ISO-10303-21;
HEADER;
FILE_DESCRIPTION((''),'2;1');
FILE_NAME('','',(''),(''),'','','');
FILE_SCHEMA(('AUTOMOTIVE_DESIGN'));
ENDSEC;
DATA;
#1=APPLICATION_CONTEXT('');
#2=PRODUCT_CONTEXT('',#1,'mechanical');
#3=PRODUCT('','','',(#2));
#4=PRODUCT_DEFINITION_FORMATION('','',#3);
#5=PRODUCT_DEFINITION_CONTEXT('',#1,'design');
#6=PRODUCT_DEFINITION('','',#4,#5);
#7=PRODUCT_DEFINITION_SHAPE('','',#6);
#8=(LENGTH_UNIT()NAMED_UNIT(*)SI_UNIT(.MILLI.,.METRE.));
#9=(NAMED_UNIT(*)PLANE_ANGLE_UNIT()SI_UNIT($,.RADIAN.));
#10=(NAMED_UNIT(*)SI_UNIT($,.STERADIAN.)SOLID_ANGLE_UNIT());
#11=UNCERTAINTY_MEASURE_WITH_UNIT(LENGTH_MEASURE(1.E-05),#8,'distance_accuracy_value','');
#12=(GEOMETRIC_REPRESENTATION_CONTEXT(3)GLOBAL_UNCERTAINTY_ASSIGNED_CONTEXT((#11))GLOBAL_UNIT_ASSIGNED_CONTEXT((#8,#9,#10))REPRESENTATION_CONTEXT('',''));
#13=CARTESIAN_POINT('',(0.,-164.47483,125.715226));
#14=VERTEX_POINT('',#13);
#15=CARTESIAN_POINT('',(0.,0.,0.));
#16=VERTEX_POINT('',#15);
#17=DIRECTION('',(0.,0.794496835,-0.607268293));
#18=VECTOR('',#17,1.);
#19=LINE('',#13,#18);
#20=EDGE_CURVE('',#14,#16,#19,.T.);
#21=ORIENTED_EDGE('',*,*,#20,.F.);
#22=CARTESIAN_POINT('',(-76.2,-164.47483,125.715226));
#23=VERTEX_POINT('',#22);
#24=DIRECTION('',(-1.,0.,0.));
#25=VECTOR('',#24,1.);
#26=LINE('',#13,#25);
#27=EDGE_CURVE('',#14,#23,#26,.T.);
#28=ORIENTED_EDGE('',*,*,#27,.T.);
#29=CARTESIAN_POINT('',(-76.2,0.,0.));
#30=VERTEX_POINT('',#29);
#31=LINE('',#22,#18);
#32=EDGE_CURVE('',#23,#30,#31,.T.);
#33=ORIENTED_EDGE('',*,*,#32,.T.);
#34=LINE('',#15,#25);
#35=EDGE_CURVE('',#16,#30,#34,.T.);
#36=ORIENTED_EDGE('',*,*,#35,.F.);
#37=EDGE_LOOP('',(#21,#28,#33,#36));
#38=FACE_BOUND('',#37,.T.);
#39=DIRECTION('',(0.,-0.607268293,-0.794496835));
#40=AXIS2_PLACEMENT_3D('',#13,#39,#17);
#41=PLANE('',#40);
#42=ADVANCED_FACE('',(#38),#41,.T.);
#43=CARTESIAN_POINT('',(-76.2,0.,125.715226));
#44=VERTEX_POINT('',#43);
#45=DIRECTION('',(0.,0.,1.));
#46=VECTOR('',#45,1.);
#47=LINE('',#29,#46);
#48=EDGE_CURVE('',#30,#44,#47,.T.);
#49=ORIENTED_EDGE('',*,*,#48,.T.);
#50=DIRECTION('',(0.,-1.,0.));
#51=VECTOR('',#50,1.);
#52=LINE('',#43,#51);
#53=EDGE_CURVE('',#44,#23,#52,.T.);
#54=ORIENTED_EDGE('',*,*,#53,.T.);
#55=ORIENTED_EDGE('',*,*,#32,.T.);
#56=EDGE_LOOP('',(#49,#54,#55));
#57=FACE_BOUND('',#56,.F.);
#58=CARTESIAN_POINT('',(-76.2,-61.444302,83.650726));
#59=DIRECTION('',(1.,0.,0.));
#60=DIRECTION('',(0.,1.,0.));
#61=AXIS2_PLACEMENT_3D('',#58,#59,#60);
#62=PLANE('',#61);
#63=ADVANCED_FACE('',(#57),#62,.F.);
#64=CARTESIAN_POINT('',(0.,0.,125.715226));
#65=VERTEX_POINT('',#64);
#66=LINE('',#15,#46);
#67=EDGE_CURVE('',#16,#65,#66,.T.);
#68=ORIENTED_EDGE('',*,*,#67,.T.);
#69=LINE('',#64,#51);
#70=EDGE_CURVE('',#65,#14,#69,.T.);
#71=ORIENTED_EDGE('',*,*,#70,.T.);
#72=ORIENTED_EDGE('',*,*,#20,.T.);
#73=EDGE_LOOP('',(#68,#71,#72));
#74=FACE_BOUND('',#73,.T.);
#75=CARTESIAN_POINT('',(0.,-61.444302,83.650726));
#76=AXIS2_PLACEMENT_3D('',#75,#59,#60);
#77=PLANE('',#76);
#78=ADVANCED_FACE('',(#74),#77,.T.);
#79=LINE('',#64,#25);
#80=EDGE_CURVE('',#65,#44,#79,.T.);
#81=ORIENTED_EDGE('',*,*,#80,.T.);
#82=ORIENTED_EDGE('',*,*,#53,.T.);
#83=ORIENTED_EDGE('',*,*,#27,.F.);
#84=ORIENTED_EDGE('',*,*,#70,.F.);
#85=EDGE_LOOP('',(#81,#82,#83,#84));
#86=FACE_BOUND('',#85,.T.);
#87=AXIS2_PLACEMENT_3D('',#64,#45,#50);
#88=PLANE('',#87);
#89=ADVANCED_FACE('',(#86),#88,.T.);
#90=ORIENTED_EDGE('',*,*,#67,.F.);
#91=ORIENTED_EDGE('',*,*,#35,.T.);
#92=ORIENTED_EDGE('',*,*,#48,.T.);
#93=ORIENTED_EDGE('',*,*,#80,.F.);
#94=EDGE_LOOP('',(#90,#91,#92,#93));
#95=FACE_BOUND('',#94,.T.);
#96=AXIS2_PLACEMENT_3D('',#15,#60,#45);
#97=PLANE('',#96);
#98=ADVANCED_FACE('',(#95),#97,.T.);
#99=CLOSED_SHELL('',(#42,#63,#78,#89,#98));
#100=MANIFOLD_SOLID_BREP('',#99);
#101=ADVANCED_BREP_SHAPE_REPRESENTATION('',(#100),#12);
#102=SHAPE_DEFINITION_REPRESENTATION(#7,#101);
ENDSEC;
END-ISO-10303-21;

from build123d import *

# Parameters (mm, degrees)
F1_DEPTH = 76.2


with BuildPart() as f1:
    # F0 (on Right) → F1 (new body)
    with BuildSketch(Plane.YZ):
        Polygon((-164.47483, 125.715226), (0, 0), (0, 125.715226), align=None)
    extrude(amount=-F1_DEPTH)


solid = f1.part
